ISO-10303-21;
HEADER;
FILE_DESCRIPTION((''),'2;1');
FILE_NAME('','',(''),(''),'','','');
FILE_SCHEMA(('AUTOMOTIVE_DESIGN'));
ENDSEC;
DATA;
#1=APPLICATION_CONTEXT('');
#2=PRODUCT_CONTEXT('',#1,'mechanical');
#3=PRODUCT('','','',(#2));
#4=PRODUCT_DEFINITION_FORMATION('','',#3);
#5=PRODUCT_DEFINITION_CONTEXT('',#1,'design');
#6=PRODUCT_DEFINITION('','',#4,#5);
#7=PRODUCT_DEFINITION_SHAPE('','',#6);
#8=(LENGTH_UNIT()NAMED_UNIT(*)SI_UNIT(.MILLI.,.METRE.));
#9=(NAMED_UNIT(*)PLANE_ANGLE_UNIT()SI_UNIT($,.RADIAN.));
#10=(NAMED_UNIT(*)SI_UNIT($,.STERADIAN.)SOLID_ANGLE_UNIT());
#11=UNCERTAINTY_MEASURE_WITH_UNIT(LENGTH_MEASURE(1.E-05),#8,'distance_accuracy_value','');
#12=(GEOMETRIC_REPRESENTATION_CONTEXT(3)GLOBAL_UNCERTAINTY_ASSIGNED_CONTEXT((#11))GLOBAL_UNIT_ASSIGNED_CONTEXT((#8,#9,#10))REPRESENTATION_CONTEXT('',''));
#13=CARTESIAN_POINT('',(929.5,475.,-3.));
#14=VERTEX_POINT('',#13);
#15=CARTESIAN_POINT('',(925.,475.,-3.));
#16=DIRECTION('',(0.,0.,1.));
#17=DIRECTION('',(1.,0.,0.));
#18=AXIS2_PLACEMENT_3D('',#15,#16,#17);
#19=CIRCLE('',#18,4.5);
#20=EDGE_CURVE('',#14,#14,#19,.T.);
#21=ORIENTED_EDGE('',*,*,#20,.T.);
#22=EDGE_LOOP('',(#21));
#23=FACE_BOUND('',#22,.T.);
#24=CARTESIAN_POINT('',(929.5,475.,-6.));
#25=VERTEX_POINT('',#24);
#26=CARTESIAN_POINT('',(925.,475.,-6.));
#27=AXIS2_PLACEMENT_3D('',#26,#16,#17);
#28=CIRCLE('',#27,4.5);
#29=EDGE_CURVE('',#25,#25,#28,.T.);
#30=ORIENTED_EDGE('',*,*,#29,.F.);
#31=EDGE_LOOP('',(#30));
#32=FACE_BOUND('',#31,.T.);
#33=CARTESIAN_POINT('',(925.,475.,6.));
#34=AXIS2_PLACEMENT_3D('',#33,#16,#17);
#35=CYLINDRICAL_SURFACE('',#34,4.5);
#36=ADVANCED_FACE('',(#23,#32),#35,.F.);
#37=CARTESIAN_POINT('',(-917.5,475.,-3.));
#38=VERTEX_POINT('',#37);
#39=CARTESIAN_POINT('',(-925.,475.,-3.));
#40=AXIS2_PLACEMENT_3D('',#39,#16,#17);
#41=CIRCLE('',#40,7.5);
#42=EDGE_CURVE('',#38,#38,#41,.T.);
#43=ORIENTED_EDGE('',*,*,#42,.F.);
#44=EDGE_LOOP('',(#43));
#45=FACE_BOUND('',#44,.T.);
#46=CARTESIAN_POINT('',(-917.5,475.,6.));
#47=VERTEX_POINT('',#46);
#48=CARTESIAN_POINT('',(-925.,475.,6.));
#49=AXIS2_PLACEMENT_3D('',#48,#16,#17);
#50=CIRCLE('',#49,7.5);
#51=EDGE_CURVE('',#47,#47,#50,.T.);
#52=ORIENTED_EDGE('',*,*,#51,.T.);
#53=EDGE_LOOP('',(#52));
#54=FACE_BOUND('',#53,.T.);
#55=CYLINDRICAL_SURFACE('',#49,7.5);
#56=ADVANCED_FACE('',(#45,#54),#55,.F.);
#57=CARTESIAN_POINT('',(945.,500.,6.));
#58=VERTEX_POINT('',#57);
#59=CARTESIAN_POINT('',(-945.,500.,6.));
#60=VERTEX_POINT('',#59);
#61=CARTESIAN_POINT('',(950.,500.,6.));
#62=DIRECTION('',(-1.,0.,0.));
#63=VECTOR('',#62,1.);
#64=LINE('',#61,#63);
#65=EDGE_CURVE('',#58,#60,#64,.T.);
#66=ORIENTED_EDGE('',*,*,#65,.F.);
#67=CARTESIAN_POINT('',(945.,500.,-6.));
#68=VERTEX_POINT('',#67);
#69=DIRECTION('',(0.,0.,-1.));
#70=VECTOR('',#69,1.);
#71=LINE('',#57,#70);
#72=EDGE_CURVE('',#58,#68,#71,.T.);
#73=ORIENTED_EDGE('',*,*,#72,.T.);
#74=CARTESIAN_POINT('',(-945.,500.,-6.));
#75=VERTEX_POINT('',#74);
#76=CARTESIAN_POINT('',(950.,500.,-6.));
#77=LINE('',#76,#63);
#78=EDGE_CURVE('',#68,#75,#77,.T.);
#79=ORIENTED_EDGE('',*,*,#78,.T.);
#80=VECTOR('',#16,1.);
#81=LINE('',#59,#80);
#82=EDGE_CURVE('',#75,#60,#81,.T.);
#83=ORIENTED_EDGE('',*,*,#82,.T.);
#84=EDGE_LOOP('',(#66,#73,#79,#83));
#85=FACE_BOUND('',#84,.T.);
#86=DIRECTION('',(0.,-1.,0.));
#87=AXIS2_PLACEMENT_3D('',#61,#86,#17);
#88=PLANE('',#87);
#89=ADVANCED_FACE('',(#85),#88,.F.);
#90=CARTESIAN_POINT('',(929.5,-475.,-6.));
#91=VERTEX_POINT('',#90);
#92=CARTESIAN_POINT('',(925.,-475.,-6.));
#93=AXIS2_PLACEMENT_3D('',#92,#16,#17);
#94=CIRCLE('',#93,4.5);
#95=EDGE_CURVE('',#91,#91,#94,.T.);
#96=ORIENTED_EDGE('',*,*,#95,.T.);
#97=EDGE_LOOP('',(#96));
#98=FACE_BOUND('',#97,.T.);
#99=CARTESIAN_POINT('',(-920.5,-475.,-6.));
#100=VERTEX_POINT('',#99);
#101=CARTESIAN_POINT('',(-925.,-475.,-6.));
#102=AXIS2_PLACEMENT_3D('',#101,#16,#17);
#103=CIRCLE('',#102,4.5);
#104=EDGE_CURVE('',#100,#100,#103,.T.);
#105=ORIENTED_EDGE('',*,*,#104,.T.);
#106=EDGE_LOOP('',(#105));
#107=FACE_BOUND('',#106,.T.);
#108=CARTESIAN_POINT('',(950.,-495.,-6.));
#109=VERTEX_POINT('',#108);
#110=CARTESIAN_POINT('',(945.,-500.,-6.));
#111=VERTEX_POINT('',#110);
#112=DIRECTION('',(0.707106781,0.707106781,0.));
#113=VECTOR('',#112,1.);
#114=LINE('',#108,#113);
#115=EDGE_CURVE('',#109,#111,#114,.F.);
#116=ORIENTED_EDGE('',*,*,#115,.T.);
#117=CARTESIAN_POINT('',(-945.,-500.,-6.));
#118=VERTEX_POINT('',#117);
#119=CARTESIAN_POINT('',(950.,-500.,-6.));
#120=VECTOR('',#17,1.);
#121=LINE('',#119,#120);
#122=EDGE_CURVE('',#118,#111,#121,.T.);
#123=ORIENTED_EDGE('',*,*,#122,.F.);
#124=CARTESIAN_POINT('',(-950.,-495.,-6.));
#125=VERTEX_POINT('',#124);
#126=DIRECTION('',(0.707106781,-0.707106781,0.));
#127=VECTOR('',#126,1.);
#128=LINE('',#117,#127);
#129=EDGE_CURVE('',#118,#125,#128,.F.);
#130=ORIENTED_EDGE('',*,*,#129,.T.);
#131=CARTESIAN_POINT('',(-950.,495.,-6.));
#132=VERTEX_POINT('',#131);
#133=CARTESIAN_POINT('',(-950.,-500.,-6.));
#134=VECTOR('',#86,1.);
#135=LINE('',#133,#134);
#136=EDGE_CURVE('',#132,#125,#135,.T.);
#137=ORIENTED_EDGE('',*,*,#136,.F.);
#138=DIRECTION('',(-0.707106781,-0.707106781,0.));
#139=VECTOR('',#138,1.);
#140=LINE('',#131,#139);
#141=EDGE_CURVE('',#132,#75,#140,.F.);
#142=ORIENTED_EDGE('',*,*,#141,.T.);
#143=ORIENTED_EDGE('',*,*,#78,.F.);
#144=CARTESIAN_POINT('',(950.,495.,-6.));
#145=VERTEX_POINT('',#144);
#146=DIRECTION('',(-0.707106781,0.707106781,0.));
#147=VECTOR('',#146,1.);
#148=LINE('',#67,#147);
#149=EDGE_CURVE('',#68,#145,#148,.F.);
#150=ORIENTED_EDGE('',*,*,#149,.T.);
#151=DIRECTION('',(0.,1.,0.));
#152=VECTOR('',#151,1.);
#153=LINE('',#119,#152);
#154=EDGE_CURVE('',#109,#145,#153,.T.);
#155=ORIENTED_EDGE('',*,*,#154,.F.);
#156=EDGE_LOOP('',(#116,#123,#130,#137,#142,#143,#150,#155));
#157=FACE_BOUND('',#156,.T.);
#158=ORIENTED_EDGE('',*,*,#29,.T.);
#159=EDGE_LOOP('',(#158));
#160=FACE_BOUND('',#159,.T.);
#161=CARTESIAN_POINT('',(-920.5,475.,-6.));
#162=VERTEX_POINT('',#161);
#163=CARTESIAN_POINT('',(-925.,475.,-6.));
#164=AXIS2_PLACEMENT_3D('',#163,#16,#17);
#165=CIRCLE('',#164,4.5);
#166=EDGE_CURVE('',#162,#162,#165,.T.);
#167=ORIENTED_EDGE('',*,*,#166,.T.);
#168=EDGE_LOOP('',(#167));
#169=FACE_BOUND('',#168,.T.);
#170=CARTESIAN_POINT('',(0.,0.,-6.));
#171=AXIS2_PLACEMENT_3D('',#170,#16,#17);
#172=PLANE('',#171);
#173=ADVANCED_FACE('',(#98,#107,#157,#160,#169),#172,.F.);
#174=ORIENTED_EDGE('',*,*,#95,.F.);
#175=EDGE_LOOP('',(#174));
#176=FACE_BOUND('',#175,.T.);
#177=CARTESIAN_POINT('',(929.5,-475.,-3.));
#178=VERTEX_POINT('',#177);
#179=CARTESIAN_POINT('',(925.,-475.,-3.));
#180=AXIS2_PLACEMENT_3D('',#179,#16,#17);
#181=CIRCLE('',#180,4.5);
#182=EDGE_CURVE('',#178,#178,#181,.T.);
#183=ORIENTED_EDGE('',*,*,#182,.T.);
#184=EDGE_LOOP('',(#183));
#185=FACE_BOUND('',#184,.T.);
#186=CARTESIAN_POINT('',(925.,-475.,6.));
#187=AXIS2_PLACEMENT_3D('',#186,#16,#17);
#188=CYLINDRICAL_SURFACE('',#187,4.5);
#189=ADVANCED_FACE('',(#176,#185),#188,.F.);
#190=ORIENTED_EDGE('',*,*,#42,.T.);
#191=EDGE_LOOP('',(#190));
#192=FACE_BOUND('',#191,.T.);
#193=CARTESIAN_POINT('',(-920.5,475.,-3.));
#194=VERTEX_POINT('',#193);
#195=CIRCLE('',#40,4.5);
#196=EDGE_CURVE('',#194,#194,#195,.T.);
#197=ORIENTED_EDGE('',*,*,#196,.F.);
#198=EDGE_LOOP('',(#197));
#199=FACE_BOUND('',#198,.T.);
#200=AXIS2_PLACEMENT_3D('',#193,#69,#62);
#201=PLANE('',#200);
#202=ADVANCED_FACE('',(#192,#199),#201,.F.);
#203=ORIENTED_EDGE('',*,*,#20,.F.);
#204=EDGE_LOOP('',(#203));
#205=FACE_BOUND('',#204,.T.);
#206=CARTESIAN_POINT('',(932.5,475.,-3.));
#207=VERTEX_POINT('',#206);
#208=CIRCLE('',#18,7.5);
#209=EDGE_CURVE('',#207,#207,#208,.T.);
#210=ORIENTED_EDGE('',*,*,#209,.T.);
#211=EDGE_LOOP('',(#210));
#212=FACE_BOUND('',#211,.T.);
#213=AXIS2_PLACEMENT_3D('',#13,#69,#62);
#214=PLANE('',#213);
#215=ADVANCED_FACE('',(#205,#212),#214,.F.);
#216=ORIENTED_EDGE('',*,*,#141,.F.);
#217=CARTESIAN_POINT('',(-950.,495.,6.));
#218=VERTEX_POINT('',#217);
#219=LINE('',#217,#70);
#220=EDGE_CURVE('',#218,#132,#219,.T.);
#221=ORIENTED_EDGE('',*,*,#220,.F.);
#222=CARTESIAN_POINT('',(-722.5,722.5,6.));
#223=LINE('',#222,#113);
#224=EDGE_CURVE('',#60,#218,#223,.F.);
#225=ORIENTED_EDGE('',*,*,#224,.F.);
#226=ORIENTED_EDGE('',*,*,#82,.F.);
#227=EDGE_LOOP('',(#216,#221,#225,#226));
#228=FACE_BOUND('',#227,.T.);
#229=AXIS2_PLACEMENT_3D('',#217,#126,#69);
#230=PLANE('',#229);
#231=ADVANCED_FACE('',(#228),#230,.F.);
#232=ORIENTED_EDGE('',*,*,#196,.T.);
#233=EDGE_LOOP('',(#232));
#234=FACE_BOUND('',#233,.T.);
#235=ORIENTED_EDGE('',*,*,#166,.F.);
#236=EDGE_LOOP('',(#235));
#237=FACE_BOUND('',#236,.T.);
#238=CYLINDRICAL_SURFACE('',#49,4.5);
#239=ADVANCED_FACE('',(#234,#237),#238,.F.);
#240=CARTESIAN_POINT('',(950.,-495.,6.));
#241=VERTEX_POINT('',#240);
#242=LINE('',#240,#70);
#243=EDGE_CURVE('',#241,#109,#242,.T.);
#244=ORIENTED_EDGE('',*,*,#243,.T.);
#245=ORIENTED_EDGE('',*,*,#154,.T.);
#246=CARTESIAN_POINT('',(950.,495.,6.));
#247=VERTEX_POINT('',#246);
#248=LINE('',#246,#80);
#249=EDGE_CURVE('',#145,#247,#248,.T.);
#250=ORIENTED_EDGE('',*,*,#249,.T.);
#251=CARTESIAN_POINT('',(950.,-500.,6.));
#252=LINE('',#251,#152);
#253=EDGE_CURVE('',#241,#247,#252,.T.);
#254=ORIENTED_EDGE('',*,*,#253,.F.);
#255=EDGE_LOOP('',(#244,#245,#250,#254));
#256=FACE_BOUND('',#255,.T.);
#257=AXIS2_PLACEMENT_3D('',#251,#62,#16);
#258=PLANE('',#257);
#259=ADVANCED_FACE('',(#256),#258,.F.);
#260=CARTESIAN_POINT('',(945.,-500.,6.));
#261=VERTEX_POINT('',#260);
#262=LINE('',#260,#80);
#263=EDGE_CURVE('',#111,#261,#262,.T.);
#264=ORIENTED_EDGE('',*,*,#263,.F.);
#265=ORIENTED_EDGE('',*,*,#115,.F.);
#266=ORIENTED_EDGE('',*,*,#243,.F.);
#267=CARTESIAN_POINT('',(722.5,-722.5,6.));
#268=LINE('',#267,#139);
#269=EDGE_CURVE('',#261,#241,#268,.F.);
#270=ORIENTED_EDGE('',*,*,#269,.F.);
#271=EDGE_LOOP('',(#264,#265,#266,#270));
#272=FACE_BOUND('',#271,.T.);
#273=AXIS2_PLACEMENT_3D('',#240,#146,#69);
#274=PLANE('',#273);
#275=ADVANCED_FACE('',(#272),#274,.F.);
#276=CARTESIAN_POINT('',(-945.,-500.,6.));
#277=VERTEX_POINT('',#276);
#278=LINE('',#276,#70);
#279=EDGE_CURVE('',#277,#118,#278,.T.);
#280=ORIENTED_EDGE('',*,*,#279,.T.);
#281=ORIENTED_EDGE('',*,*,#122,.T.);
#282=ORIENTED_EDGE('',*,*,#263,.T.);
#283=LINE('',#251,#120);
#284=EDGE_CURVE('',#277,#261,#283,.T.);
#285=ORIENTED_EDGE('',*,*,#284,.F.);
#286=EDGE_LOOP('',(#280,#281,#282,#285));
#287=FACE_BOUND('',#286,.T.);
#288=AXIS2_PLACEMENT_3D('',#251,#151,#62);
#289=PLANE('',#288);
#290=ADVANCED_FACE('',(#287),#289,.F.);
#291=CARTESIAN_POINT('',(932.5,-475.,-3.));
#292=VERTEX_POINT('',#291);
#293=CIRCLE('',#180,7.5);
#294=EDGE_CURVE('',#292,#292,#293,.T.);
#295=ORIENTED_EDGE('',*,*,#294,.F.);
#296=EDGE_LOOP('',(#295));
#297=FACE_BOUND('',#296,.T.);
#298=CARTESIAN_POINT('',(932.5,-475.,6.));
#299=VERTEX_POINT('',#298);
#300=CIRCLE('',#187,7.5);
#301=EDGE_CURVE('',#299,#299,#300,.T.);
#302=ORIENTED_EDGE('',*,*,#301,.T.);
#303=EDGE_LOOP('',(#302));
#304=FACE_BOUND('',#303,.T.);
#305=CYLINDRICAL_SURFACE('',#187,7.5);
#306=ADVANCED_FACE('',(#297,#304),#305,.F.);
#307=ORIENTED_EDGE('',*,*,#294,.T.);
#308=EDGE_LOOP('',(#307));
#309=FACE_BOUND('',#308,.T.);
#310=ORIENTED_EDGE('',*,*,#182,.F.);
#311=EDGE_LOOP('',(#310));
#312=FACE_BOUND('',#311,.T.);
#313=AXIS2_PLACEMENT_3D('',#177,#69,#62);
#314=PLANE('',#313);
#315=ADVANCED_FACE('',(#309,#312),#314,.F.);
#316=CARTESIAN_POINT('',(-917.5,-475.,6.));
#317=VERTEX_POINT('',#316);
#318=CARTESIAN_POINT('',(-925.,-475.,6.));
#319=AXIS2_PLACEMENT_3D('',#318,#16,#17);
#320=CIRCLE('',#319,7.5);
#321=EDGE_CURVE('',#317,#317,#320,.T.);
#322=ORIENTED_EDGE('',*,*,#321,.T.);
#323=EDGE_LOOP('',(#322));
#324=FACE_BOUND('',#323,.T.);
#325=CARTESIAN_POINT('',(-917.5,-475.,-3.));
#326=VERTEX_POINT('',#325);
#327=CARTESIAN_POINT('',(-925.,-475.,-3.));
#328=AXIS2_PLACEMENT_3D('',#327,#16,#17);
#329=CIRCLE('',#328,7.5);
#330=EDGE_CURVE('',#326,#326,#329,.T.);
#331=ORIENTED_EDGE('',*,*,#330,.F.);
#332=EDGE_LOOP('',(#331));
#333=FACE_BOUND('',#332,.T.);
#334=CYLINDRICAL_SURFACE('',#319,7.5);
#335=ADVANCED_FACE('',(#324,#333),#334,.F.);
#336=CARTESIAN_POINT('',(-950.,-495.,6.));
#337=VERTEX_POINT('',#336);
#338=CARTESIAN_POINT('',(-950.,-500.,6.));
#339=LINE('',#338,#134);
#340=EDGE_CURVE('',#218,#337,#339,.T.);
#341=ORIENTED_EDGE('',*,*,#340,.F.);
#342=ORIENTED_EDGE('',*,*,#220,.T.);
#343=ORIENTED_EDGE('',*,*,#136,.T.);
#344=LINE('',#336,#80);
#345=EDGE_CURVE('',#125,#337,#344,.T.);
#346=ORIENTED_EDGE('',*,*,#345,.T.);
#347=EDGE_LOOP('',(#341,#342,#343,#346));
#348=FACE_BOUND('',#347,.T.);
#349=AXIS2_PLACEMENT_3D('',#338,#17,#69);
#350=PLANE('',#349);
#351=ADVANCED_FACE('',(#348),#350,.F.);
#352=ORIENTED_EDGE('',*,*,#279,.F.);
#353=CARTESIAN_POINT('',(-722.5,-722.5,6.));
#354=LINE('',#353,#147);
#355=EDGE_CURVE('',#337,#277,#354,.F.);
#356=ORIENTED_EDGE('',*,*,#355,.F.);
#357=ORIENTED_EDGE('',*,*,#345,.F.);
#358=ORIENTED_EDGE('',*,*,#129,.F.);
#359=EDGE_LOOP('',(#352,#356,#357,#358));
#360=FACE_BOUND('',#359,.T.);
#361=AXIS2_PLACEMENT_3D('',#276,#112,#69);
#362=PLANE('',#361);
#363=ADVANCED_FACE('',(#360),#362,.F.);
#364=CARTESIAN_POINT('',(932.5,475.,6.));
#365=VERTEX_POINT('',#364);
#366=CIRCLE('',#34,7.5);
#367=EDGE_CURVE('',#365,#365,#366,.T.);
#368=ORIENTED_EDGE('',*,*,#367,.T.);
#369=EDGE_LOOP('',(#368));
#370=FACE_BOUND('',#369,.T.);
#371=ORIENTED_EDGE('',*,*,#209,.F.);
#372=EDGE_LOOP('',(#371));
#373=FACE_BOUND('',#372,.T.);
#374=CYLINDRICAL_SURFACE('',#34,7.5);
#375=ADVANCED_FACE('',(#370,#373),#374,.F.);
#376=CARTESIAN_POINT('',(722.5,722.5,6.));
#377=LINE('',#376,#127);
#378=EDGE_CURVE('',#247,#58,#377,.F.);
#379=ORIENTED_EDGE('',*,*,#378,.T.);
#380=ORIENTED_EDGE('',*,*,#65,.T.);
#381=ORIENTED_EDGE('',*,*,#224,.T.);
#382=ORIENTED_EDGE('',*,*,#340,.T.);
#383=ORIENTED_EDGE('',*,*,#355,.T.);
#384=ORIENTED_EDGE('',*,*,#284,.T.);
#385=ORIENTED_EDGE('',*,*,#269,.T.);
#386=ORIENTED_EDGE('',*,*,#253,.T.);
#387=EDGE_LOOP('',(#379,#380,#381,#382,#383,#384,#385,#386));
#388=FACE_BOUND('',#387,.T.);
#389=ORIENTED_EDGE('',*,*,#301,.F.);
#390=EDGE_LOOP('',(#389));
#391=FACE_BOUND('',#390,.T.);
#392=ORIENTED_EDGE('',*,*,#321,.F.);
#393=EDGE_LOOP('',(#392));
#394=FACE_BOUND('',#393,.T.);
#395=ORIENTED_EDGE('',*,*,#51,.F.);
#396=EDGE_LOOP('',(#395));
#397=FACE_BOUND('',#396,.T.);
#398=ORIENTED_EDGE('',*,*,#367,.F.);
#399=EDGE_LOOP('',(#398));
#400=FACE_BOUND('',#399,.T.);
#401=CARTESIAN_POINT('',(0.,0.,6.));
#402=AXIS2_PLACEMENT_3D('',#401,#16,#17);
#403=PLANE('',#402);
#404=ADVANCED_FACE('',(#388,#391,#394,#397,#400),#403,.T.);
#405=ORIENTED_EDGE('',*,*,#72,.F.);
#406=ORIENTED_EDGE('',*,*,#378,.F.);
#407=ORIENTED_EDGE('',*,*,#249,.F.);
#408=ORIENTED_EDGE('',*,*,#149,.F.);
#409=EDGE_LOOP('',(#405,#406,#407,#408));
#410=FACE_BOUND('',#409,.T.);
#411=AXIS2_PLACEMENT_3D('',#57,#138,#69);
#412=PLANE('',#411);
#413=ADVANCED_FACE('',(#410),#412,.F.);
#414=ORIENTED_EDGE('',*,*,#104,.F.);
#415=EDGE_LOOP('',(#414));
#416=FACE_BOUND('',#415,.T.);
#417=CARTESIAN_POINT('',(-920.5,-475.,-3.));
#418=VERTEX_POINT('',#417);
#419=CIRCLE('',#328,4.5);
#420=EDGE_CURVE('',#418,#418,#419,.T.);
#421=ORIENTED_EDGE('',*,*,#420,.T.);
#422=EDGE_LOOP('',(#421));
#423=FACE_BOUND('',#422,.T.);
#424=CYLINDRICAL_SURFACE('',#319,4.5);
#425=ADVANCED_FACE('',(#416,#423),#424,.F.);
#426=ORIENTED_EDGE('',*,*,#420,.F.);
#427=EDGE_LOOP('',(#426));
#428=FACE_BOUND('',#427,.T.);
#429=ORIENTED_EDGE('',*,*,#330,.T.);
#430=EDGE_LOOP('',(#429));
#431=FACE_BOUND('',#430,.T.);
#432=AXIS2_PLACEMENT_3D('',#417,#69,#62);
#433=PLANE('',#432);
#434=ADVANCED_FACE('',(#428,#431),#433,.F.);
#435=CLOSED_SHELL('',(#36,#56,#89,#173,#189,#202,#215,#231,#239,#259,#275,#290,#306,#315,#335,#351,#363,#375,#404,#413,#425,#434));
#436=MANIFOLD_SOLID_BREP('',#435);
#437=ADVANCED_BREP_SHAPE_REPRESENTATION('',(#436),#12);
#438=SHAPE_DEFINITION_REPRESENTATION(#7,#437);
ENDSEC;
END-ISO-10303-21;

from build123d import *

# Parameters (mm, degrees)
SKETCH_1_W                = 1900
SKETCH_1_H                = 1000
EXTRUDE_1_DEPTH           = 6
HOLE_WIZARD_1_D           = 9
HOLE_WIZARD_1_CBORE_D     = 15
HOLE_WIZARD_1_CBORE_DEPTH = 9
CHAMFER_1_SIZE            = 5


with BuildPart() as part:
    # 草图1 → 凸台-拉伸1 (new body, symmetric)
    with BuildSketch(Plane.XY):
        Rectangle(SKETCH_1_W, SKETCH_1_H)
    extrude(amount=EXTRUDE_1_DEPTH, both=True)

    # 打孔尺寸(%根据)内六角圆柱头螺钉的类型1 (through all)
    with Locations(Plane.XY.offset(6)):
        with Locations((925, 475), (925, -475), (-925, -475), (-925, 475)):
            CounterBoreHole(HOLE_WIZARD_1_D / 2, HOLE_WIZARD_1_CBORE_D / 2, HOLE_WIZARD_1_CBORE_DEPTH)

    # 倒角1
    chamfer_1_edges = [part.edges().sort_by_distance(p)[0] for p in [
        (-950, 500, 0),
        (950, 500, 0),
        (950, -500, 0),
        (-950, -500, 0),
    ]]
    chamfer(chamfer_1_edges, length=CHAMFER_1_SIZE)


solid = part.part
